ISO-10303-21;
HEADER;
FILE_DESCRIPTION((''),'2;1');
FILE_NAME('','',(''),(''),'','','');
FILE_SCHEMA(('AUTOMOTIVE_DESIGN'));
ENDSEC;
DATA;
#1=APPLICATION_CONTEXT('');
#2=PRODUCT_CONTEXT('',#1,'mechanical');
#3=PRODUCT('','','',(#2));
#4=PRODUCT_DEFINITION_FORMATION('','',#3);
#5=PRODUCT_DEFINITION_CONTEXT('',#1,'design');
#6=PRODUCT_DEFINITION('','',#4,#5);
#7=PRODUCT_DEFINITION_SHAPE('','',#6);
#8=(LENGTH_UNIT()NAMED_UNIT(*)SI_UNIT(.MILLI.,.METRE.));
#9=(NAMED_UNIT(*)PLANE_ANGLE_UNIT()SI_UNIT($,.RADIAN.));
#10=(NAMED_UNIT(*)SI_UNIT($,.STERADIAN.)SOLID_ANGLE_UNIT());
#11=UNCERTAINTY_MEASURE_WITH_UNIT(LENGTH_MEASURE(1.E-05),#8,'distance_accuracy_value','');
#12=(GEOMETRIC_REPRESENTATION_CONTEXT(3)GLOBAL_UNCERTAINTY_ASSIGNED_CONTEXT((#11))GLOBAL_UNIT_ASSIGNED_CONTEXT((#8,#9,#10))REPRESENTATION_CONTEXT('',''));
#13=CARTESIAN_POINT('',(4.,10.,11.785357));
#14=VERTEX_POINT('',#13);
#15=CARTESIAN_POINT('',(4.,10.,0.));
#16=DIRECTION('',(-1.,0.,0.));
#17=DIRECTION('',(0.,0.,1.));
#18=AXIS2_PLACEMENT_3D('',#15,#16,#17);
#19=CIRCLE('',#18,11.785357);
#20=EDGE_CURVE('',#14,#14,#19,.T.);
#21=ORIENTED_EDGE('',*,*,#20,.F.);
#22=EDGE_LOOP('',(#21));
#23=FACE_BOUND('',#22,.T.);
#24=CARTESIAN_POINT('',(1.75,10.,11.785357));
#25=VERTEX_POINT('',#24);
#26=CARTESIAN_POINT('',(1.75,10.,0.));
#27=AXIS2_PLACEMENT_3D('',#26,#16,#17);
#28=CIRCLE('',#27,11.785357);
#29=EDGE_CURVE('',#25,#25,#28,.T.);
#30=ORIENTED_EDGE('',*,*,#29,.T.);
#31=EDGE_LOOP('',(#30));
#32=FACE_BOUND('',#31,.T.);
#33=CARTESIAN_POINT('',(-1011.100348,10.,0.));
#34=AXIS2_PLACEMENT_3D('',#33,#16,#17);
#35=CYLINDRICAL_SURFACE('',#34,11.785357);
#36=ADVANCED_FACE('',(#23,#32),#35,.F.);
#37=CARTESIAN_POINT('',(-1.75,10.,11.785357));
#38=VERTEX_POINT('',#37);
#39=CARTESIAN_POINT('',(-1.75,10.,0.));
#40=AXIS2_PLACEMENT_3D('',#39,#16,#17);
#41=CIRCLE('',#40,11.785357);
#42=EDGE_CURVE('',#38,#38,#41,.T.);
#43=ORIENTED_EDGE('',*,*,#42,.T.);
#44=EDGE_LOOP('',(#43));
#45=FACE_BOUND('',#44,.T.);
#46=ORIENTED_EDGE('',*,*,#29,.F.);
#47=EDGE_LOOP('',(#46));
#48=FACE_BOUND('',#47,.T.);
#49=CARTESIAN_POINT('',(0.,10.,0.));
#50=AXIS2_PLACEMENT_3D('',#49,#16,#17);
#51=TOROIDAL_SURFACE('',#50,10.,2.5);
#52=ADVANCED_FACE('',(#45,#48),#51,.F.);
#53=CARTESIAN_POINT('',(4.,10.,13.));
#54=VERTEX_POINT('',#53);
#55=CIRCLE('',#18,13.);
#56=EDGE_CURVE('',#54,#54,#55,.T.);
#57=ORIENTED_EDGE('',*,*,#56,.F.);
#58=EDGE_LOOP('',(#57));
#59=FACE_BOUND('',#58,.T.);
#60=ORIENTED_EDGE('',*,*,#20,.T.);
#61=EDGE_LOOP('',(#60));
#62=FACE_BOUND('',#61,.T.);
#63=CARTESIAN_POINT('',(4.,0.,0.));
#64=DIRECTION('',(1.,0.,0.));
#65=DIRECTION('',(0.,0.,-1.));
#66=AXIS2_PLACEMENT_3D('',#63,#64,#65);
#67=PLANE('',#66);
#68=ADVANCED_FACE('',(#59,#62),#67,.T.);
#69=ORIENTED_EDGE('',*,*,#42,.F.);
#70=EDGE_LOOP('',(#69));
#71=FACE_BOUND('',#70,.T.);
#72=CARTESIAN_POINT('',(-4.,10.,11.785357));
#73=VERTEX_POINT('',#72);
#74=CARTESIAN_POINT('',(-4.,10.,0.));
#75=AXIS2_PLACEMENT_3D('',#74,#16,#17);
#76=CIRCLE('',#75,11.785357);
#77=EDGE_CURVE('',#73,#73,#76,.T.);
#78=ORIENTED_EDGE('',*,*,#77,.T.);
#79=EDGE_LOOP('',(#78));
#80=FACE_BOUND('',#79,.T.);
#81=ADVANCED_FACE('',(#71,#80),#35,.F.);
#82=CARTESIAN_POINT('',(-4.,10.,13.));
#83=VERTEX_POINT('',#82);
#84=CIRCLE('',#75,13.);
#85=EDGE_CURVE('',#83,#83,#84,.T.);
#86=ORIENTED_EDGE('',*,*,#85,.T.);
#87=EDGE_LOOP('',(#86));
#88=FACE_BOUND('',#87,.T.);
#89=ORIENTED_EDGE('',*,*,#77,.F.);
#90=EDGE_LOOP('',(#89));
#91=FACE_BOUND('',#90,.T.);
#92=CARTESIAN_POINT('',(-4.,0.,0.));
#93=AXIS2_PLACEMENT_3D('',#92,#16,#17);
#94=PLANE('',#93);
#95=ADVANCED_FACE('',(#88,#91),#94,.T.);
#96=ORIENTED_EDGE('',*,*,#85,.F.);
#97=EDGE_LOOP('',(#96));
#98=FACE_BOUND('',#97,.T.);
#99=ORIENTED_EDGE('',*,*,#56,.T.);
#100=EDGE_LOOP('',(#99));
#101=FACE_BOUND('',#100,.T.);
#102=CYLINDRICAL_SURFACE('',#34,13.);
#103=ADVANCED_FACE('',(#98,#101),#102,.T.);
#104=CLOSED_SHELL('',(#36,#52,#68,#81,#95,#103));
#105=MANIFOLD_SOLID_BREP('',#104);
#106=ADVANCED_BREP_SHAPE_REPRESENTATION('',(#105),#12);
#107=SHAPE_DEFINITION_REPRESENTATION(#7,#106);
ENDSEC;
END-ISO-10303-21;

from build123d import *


with BuildPart() as part:
    # Esquisse1 → Révolution1 (revolve)
    with BuildSketch(Plane.XY, mode=Mode.PRIVATE) as r_volution1_sk:
        with BuildLine():
            ThreePointArc((-1.75, -1.785357107), (0, -2.5), (1.75, -1.785357107))
            Line((1.75, -1.785357107), (4, -1.785357107))
            Line((4, -1.785357107), (4, -3))
            Line((4, -3), (-4, -3))
            Line((-4, -3), (-4, -1.785357107))
            Line((-4, -1.785357107), (-1.75, -1.785357107))
        make_face()
    revolve(r_volution1_sk.sketch.rotate(Axis((-1011.100347617, 10, 0), (1, 0, 0)), 270), axis=Axis((-1011.100347617, 10, 0), (1, 0, 0)))


solid = part.part
